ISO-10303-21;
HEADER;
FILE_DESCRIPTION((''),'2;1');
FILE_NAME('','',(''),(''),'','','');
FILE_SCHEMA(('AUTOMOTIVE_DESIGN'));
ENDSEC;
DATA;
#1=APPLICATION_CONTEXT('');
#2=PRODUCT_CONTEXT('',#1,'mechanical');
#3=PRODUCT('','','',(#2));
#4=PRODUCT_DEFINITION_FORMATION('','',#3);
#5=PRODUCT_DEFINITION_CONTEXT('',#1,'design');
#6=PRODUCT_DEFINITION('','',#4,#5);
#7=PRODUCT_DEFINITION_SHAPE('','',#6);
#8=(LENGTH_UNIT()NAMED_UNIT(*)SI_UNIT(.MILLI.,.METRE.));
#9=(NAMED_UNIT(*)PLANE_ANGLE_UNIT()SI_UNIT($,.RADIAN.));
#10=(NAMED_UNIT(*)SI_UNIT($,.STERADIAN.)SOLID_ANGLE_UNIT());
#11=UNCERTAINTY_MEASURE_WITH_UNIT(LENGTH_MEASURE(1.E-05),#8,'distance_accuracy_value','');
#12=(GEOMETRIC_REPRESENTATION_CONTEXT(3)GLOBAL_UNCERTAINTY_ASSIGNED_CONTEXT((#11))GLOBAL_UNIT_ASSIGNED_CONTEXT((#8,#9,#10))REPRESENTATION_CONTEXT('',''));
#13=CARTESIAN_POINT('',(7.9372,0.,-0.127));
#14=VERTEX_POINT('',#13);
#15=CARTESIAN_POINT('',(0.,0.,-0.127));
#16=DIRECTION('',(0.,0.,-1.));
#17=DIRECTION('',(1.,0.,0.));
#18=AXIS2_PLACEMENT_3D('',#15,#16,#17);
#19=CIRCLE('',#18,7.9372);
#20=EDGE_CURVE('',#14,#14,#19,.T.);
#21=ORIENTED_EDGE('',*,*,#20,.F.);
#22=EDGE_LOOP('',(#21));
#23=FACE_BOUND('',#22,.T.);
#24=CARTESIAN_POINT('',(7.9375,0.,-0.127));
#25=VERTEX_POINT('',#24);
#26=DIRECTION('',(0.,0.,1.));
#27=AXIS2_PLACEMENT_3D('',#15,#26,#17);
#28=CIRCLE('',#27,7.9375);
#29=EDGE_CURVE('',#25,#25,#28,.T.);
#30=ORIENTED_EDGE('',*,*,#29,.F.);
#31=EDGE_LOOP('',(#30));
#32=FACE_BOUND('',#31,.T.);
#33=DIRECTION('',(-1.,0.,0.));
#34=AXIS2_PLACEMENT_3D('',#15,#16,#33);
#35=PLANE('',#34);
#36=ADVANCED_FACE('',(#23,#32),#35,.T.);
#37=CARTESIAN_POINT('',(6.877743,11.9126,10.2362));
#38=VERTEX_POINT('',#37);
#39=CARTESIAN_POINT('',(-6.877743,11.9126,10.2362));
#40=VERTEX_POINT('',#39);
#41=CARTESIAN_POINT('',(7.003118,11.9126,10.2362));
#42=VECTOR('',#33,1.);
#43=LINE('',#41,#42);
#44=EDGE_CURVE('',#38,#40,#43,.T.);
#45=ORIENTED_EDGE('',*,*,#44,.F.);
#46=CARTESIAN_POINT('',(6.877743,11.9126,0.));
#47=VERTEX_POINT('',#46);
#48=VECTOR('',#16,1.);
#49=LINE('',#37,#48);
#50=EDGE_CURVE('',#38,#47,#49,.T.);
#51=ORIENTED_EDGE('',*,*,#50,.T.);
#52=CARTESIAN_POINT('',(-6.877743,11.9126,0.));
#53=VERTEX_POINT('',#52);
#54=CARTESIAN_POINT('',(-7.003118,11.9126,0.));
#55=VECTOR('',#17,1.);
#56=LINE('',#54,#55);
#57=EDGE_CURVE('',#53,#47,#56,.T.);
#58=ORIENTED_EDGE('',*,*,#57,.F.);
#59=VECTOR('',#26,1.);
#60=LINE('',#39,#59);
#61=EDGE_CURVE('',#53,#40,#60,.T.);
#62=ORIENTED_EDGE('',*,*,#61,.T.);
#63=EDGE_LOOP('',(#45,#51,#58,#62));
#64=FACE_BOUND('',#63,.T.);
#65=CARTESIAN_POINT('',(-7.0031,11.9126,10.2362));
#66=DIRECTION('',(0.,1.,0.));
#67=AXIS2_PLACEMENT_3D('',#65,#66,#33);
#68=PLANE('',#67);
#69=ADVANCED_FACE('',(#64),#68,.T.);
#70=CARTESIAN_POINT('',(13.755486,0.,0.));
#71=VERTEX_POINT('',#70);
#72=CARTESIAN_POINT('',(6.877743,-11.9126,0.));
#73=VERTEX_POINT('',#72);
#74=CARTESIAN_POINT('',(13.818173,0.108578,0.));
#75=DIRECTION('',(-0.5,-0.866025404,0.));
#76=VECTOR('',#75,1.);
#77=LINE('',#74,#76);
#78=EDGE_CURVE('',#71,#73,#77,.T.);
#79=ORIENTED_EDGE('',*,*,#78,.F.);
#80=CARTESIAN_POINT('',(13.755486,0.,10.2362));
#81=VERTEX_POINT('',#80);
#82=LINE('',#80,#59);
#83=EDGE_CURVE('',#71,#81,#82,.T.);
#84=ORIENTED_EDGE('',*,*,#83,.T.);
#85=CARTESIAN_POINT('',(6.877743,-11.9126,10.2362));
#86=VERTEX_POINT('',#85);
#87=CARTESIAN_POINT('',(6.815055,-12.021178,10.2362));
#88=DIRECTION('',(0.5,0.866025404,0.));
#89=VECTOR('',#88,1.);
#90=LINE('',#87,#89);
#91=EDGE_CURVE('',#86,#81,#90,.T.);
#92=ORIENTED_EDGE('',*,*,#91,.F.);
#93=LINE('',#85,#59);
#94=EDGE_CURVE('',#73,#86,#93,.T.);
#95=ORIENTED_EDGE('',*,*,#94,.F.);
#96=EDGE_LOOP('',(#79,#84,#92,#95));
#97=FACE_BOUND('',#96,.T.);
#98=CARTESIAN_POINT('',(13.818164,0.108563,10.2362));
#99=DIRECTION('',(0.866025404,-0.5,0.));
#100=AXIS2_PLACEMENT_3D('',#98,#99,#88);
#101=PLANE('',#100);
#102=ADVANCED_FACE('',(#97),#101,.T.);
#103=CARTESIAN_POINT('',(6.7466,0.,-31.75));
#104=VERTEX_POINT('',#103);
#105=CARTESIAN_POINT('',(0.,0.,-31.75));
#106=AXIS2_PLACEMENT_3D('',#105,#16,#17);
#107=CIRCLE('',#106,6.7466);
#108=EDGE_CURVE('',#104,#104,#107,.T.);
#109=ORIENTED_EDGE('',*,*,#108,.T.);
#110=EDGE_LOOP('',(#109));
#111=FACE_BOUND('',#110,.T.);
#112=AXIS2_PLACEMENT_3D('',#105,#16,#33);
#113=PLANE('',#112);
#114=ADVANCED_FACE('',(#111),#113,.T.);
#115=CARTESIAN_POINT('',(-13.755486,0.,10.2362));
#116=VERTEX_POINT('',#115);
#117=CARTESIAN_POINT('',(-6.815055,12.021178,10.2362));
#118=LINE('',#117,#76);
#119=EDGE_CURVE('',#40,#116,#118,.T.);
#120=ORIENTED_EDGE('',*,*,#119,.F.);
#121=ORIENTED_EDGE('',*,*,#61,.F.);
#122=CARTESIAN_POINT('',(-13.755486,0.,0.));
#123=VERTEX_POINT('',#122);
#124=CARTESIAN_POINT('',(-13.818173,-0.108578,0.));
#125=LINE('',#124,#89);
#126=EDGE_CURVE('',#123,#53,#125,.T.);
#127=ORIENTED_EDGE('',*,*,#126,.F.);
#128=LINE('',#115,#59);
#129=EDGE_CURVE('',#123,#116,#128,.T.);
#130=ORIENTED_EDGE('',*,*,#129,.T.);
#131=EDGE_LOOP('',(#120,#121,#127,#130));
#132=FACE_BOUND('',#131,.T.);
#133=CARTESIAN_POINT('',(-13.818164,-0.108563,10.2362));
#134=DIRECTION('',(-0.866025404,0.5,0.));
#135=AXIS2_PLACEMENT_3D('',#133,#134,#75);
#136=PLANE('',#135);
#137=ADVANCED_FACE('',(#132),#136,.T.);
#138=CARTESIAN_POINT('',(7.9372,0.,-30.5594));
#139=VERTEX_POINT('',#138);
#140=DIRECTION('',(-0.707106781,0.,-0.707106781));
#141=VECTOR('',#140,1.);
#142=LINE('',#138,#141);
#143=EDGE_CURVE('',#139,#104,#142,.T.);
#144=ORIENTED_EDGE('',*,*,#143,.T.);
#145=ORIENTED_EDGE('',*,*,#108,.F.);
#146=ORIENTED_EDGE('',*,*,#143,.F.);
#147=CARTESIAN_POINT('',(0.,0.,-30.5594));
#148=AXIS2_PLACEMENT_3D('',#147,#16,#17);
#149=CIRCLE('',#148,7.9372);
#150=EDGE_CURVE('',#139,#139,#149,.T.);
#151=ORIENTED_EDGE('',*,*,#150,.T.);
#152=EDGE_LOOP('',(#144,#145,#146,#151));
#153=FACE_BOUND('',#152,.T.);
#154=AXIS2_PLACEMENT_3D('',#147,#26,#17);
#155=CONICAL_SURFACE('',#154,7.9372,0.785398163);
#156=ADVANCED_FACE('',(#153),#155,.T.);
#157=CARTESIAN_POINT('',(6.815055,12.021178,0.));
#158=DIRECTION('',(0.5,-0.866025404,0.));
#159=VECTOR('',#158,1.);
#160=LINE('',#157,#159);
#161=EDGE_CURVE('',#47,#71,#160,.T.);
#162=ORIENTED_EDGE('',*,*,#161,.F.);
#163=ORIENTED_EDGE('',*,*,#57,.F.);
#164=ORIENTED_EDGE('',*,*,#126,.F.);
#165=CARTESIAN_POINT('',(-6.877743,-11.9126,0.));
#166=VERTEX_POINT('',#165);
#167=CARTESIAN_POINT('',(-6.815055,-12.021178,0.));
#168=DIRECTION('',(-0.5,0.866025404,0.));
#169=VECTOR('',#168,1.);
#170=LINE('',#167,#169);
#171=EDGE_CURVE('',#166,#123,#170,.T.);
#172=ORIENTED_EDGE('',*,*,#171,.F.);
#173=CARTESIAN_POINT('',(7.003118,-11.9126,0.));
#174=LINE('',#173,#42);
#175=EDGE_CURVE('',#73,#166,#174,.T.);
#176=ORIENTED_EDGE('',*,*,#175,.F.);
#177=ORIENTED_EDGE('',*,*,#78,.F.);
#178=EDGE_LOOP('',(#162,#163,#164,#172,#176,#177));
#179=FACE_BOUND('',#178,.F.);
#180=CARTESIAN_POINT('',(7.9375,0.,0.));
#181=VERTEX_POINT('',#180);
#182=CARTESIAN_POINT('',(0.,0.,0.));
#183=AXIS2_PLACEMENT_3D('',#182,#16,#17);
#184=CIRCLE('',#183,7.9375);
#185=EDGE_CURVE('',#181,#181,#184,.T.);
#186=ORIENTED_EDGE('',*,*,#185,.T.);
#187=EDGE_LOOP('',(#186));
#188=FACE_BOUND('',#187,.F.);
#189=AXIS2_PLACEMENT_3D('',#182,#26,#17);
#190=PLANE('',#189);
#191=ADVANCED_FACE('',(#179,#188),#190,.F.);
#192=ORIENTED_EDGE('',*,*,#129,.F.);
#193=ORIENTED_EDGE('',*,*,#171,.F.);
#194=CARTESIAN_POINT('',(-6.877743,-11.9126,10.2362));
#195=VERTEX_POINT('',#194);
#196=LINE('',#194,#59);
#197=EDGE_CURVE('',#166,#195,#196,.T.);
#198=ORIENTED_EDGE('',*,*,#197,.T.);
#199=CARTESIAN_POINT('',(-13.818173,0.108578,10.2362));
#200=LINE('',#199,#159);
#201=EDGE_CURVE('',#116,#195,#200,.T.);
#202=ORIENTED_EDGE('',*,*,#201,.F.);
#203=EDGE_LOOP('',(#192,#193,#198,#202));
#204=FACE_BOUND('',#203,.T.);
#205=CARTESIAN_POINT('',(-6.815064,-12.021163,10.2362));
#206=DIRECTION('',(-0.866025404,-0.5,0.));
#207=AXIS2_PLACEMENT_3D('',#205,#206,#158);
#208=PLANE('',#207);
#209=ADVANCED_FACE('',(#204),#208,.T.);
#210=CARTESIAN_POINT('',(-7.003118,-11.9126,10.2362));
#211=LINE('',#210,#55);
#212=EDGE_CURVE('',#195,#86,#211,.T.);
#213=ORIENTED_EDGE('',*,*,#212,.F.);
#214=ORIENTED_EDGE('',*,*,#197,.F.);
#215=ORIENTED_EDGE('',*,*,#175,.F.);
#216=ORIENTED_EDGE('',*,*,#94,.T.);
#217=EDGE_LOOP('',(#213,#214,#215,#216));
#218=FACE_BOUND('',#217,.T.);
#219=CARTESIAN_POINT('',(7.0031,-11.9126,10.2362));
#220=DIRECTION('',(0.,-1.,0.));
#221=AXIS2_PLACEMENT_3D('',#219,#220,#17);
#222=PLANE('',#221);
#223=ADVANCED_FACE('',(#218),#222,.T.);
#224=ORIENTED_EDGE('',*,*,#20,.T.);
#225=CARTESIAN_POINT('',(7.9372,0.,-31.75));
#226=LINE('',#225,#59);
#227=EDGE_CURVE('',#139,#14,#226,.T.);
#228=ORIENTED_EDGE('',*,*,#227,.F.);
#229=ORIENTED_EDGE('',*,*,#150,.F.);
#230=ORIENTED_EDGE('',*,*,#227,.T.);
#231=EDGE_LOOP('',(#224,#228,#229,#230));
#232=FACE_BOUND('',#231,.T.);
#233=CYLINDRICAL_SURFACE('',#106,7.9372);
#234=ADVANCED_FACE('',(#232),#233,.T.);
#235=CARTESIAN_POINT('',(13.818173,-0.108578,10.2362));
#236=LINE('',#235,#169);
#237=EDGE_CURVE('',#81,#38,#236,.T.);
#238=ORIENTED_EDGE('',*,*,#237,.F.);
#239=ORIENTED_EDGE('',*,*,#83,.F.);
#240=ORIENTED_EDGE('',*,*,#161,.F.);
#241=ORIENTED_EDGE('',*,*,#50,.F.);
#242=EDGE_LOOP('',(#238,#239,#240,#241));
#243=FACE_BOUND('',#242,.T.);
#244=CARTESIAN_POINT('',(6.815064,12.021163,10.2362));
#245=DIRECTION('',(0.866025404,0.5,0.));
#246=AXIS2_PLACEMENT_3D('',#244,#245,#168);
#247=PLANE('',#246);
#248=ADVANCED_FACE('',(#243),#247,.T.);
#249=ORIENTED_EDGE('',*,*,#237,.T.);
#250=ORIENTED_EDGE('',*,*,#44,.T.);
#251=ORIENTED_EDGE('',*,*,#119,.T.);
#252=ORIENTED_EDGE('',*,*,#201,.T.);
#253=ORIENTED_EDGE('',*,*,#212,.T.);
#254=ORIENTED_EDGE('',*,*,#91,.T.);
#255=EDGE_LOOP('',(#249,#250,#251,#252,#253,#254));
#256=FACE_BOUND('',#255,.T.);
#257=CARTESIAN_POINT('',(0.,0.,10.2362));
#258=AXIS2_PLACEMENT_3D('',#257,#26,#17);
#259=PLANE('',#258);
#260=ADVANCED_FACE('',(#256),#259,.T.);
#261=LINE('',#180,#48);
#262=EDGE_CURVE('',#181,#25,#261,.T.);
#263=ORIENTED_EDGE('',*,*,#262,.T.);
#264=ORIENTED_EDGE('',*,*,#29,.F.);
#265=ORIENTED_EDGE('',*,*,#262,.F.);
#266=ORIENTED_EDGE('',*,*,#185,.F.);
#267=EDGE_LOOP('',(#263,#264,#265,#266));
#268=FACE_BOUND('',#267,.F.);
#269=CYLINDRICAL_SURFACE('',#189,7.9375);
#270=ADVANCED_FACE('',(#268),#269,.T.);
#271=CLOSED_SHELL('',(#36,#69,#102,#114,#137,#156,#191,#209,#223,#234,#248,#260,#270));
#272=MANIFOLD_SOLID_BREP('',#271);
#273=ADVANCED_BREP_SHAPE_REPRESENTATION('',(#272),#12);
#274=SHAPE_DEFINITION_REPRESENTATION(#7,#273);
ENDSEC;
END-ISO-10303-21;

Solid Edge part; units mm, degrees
sketch "Sketch1" plane through (0, 0, 0) normal (0, 0, 1) x (1, 0, 0)
  circle A0 centre (0, 0) radius 13.8186
  dimension "D1" = 27.6372
extrude "Protrusion1" add sketch "Sketch1" along normal blind 10.2362
sketch "Sketch2" plane through (0, 0, 0) normal (0, 0, -1) x (1, 0, 0)
  circle A0 centre (0, 0) radius 7.9375
extrude "Protrusion2" add sketch "Sketch2" along normal blind 31.75
sketch "Sketch3" plane through (0, 0, -31.75) normal (0, 0, -1) x (1, 0, 0)
  circle A0 centre (0, 0) radius 7.9372
extrude "Cutout1" cut sketch "Sketch3" against normal blind 31.623 flip side to cut
chamfer "Chamfer_1" distance 1.1906 angle 45 1 edges at (-7.9372, 0, -31.75)
sketch "Sketch4" plane through (0, 0, 10.2362) normal (0, 0, 1) x (1, 0, 0)
  line L0 (-7.0031, 11.9126) -> (7.0031, 11.9126)
  dimension "D1" = 23.8252
extrude "Cutout2" cut sketch "Sketch4" against normal up to next material side at (0, 11.9626, 10.2362)
pattern_circular "Pattern1" count 6 over 360 about axis through (0, 0, 10.2362) along (0, 0, 1) of "Cutout2"
properties part number "185538"
